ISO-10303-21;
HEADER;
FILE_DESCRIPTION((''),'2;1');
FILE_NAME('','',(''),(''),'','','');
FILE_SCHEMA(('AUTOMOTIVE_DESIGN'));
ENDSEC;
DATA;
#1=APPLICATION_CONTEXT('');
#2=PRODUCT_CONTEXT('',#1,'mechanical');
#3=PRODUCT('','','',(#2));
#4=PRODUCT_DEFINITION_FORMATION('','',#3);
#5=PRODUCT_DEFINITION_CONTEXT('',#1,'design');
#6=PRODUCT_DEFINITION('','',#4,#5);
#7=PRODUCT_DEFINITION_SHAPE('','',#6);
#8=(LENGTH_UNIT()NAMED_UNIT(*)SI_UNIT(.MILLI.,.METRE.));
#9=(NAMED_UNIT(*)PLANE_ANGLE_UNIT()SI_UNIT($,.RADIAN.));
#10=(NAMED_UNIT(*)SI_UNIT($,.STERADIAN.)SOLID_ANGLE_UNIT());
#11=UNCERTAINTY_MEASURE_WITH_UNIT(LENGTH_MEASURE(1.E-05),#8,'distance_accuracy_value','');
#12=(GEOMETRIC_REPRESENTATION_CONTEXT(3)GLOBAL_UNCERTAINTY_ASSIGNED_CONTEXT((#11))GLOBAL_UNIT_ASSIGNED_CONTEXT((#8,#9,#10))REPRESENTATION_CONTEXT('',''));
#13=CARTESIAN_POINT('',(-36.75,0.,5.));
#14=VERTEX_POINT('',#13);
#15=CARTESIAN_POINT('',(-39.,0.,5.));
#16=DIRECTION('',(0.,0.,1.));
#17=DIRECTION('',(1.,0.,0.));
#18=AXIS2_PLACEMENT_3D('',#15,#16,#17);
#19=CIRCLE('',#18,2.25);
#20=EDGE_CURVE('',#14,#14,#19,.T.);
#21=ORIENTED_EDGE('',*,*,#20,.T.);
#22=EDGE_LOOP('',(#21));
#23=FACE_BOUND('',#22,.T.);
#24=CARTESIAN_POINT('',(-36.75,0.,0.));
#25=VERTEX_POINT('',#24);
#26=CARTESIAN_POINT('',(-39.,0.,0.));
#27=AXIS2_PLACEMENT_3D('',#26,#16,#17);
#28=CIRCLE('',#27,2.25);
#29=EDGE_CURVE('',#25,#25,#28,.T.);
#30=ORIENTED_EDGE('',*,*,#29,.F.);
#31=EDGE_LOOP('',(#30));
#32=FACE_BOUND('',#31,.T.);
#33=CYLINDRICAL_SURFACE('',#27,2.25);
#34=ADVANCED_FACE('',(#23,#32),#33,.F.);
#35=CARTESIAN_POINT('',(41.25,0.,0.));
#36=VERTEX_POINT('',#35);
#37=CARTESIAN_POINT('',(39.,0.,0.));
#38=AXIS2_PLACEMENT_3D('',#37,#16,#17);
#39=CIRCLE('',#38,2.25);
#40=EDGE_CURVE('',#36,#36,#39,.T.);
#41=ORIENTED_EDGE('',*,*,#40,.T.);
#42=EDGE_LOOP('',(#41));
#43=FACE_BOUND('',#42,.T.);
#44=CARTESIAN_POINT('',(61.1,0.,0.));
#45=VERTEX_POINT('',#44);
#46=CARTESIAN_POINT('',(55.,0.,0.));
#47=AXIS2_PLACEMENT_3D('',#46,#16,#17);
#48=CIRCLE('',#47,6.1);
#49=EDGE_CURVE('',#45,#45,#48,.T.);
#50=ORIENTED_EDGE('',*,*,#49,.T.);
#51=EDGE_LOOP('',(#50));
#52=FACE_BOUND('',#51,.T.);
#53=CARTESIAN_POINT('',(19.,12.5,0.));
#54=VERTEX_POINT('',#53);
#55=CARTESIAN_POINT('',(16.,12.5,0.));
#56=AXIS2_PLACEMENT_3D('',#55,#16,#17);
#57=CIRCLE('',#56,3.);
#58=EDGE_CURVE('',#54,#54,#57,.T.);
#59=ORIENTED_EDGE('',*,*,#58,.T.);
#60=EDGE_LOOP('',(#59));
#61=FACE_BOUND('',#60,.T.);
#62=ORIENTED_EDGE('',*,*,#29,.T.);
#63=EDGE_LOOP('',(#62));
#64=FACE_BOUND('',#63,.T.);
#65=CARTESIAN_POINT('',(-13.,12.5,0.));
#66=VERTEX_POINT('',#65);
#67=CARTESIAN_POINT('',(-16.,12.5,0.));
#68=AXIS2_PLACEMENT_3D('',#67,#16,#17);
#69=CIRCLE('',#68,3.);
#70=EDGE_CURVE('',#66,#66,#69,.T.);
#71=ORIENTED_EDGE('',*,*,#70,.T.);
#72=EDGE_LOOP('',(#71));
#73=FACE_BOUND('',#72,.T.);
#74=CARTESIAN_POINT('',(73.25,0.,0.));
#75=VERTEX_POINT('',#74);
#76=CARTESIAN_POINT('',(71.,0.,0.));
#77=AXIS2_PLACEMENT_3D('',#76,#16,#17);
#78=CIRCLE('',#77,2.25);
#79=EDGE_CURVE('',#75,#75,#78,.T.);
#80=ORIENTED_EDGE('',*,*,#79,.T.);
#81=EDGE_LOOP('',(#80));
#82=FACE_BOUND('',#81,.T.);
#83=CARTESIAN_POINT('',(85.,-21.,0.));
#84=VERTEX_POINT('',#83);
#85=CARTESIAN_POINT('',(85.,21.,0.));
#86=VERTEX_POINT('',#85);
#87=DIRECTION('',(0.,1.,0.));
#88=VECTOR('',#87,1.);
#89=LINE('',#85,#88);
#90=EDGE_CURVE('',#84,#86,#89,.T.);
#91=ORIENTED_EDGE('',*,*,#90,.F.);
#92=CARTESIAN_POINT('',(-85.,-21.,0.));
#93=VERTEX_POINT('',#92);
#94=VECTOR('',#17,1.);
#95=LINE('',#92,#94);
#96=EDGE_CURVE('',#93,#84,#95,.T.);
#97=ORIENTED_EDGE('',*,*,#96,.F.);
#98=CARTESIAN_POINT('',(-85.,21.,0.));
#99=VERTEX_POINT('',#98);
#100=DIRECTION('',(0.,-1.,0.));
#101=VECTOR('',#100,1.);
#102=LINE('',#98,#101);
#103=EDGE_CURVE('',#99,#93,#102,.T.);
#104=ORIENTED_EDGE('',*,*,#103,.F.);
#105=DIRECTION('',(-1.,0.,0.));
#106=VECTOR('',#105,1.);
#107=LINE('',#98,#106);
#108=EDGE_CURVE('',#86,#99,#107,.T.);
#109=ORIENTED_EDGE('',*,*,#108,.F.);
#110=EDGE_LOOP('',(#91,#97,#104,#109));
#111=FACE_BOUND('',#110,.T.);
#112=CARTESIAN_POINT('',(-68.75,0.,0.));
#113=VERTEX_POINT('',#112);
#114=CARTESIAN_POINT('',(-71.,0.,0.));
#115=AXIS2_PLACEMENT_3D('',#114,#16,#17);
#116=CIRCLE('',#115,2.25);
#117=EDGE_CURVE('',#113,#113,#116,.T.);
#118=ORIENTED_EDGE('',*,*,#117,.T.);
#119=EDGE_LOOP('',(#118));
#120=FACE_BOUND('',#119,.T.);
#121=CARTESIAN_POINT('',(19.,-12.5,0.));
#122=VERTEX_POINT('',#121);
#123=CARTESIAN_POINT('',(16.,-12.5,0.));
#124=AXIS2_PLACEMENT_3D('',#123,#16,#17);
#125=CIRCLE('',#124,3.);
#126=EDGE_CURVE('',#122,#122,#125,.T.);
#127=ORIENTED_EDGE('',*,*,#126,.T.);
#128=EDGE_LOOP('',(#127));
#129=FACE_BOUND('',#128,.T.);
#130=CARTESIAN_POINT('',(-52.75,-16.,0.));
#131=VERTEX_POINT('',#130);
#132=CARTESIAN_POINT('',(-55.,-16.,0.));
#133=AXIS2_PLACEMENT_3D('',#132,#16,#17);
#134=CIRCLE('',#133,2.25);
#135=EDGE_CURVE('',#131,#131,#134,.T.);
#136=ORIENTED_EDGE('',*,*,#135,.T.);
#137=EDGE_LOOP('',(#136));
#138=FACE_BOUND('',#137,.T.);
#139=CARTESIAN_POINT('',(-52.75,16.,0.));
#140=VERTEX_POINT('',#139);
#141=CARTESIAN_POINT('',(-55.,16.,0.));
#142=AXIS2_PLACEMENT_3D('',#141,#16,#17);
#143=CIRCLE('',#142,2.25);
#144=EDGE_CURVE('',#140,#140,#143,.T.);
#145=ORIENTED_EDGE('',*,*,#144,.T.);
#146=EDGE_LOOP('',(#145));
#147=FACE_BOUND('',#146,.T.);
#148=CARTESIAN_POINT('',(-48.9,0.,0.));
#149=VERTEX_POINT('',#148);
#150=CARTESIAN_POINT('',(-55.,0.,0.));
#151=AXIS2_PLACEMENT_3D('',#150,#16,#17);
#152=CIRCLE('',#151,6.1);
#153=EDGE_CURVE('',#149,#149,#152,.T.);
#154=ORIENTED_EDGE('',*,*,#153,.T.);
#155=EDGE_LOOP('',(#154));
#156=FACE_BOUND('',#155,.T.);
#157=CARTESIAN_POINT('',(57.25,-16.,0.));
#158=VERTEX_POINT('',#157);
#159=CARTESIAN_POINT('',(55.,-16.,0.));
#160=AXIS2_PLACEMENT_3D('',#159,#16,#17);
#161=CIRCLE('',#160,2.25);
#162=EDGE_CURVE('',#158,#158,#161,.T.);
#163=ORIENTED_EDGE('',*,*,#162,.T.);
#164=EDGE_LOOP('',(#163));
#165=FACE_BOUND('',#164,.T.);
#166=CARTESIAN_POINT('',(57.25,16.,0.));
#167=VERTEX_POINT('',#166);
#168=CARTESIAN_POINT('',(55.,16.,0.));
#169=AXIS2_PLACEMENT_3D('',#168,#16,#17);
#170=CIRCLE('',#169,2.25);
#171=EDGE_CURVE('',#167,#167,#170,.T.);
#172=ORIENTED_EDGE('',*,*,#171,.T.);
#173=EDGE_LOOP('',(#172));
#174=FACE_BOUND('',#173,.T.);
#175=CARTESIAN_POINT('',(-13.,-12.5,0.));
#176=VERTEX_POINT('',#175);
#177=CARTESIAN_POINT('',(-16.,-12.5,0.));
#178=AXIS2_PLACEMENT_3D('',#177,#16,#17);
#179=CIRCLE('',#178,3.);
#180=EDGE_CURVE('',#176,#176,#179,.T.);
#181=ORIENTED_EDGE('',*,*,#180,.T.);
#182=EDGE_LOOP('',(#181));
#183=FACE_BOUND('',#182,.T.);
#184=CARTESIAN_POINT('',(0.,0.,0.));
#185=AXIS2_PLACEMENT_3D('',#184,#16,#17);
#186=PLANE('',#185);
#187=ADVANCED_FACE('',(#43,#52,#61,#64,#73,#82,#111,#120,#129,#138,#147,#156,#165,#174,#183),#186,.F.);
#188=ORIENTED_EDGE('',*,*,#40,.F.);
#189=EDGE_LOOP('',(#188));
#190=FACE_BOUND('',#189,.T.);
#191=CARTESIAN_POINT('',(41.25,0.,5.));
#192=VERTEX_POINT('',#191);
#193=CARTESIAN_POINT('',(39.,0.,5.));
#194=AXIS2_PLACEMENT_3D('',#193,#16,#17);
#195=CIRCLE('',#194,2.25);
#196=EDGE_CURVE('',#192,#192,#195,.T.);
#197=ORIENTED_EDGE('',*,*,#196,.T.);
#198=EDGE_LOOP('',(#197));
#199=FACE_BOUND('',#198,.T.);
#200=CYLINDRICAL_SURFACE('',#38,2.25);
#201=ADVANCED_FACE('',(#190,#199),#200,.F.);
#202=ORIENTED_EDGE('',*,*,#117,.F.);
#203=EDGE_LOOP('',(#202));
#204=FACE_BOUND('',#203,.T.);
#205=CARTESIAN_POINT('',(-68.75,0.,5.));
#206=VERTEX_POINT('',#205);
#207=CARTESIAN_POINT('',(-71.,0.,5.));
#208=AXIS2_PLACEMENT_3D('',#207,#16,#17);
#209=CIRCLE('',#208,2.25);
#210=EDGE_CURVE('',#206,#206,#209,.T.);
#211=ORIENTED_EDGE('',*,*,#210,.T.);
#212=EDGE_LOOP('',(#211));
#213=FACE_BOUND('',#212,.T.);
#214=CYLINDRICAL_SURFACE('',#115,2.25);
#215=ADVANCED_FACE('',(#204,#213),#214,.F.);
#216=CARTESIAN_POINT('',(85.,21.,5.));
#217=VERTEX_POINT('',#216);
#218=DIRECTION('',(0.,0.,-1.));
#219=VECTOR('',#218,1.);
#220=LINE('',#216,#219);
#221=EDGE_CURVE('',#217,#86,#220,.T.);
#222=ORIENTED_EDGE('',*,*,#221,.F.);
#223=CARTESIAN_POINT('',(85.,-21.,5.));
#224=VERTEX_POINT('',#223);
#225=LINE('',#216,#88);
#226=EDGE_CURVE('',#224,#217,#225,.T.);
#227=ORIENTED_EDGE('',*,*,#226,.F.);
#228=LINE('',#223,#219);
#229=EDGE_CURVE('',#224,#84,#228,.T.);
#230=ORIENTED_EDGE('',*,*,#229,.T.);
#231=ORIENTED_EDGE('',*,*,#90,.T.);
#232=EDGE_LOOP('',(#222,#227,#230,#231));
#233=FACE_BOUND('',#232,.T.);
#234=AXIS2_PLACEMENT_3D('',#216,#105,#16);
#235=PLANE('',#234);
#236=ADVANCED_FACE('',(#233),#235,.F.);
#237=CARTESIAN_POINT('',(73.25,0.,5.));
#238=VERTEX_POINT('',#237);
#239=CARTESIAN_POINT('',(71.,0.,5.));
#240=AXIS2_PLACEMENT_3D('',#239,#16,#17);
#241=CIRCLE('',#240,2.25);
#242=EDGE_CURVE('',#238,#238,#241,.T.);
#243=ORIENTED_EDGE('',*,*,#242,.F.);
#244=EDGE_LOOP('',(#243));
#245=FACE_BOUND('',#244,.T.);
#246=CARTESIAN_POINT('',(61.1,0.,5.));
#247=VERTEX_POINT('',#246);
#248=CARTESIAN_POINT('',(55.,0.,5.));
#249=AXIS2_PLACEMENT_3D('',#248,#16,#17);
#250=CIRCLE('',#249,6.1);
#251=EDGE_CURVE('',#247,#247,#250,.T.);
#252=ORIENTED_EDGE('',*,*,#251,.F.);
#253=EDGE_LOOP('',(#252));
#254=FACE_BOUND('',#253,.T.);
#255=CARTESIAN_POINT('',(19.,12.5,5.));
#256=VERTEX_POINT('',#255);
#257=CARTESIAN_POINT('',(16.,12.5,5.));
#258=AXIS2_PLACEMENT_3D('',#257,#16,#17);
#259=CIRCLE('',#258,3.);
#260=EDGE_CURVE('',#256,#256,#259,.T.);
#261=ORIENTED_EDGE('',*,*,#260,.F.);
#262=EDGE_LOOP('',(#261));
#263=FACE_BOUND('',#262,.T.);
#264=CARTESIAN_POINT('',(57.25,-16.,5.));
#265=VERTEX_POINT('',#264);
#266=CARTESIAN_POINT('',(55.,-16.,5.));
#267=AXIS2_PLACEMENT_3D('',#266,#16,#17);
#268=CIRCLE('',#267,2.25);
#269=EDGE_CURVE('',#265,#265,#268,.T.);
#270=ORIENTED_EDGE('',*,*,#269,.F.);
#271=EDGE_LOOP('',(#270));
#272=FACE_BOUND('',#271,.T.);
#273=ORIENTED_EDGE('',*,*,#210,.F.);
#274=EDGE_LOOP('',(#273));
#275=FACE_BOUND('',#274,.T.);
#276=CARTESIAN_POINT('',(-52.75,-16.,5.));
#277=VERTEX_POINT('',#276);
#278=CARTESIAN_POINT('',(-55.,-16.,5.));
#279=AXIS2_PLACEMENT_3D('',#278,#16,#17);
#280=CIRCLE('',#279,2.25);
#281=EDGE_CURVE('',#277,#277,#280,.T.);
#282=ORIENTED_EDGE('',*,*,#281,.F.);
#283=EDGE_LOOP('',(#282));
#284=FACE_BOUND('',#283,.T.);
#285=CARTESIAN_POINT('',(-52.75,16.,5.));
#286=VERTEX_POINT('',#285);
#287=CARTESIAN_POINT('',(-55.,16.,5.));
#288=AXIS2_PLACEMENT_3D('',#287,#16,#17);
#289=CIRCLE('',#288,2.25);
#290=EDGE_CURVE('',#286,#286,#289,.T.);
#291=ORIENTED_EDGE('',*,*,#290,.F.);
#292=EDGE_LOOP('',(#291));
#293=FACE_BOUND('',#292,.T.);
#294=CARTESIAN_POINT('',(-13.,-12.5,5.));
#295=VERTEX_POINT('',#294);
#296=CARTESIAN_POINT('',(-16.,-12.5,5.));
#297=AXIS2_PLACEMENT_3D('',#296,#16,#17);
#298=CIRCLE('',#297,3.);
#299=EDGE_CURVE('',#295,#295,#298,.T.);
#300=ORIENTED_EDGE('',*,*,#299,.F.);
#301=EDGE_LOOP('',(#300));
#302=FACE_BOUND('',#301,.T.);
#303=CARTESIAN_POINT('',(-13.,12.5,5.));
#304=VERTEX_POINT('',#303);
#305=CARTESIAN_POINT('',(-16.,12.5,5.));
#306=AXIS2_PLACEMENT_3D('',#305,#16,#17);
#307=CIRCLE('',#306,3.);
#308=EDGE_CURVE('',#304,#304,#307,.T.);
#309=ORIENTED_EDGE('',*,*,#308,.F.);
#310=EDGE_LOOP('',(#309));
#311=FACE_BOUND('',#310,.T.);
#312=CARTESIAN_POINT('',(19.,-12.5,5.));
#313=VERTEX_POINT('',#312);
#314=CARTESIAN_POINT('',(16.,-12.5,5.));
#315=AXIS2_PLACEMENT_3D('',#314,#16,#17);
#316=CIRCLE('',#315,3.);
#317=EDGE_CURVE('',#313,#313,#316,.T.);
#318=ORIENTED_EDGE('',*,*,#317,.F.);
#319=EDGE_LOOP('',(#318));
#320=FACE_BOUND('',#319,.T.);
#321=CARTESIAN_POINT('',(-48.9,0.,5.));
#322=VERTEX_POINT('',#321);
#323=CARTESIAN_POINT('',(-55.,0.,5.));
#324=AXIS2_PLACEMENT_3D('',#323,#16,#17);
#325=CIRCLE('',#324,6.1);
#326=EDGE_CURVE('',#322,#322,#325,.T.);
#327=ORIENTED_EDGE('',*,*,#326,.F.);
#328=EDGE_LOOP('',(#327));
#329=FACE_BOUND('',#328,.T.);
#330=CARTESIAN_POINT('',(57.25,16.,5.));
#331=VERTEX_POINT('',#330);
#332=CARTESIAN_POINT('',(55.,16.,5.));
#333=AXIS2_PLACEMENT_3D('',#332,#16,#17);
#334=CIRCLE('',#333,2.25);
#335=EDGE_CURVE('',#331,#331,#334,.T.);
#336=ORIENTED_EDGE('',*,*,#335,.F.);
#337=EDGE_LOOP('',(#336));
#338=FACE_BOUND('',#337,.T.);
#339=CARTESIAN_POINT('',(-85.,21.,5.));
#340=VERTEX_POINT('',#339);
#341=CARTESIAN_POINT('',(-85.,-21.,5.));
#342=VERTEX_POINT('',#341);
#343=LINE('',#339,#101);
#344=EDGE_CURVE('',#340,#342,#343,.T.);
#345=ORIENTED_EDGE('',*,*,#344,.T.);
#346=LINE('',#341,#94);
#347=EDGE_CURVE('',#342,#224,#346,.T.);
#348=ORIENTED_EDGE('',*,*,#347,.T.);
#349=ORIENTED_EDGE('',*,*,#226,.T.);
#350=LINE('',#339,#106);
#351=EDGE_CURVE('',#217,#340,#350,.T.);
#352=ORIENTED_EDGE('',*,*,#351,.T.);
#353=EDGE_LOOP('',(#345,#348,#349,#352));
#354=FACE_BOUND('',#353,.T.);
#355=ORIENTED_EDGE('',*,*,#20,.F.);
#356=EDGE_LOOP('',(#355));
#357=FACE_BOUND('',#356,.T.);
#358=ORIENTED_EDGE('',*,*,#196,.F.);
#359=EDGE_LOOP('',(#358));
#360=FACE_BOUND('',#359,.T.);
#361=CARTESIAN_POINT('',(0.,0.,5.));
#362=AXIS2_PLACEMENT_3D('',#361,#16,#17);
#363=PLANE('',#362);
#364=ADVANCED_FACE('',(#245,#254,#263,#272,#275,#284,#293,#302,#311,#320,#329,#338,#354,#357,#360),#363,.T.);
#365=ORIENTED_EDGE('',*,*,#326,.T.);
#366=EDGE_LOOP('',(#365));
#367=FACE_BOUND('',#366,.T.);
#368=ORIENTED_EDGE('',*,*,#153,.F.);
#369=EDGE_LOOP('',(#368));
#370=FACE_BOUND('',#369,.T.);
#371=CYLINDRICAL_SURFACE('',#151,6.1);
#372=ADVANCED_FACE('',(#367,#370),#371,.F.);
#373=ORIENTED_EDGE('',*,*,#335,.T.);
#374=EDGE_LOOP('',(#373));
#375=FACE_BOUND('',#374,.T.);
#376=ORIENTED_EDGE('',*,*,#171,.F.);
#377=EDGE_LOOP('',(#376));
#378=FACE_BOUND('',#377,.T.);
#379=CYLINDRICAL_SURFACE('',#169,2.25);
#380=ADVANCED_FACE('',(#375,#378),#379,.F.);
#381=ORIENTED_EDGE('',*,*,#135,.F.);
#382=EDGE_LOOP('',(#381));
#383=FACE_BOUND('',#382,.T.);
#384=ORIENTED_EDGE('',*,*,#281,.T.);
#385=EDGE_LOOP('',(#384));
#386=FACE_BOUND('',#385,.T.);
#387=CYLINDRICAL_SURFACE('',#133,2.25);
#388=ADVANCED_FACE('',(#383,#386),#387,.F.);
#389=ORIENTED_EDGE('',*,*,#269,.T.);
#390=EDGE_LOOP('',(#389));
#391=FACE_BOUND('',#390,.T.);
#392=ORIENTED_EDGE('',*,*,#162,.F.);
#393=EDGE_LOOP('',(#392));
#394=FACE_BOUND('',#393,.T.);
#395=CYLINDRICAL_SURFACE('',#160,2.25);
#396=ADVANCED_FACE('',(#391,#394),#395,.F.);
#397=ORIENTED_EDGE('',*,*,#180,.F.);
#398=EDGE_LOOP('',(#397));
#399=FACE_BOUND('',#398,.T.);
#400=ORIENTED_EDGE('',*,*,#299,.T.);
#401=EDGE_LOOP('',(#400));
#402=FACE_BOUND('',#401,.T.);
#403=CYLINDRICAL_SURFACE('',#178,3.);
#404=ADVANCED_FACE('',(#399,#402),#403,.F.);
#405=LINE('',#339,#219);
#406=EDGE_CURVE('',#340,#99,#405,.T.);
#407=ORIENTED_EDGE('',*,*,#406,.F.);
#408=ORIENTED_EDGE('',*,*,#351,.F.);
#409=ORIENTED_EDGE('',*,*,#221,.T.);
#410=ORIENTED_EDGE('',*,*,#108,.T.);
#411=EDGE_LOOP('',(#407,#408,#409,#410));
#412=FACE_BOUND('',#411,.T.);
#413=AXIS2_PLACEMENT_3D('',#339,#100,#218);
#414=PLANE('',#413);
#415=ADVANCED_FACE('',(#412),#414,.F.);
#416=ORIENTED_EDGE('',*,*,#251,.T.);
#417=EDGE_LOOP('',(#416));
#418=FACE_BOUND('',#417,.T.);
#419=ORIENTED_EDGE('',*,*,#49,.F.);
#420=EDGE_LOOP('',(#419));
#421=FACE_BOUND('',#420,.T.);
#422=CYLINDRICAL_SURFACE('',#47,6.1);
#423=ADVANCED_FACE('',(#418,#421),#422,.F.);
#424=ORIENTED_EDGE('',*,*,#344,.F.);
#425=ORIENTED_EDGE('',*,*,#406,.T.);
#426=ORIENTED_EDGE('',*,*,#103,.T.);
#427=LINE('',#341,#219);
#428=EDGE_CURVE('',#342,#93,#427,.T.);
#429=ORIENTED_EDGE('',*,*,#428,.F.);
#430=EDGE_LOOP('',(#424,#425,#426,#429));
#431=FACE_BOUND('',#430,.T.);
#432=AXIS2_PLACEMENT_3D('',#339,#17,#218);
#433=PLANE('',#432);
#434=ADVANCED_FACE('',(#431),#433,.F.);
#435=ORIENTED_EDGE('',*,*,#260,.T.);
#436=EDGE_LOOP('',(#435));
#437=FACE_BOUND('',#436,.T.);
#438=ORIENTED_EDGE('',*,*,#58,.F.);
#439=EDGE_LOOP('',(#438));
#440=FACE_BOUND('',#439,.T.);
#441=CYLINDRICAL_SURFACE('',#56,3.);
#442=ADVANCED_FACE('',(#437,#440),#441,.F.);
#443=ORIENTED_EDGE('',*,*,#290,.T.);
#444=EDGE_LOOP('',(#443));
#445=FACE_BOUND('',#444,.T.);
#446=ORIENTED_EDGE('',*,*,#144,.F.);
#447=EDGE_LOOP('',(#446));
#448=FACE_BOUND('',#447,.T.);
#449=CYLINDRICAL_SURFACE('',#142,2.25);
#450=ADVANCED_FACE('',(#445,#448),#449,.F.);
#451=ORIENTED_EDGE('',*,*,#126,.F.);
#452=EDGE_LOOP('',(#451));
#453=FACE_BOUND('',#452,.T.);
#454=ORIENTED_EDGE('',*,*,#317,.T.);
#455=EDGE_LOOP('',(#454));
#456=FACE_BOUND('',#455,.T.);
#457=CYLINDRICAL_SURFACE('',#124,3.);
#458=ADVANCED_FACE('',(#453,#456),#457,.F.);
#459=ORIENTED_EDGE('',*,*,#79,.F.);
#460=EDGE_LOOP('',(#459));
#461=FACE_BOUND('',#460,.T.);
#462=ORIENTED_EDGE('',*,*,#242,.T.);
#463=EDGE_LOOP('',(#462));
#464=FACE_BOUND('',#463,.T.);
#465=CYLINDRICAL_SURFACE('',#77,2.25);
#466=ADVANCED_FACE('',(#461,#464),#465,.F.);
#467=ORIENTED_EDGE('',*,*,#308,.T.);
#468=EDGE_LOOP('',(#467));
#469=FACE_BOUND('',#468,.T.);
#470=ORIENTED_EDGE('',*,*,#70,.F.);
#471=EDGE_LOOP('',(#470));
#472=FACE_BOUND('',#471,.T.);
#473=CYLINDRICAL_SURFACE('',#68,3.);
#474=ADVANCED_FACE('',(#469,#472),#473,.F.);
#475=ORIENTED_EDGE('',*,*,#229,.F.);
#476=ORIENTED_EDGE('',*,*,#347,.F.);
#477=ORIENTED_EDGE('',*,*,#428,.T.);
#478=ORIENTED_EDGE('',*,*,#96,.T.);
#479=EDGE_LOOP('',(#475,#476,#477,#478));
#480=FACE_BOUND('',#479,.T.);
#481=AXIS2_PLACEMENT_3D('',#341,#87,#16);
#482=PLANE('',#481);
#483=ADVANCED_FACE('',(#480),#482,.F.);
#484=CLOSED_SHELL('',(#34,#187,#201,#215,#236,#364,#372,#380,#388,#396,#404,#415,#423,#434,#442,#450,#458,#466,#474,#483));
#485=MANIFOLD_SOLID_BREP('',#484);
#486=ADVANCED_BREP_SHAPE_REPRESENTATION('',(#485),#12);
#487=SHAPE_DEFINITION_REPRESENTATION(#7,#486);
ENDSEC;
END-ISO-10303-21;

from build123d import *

# Parameters (mm, degrees)
SKETCH1_W               = 170
SKETCH1_H               = 42
BOSS_EXTRUDE1_DEPTH     = 5
CUT_EXTRUDE1_DEPTH      = 88.698346621
CUT_EXTRUDE1_DEPTH_BACK = 88.698346621
SKETCH2_R               = 6.1
CUT_EXTRUDE2_DEPTH      = 88.698346621
CUT_EXTRUDE2_DEPTH_BACK = 88.698346621
SKETCH3_R               = 3
SKETCH4_R               = 2.25
CUT_EXTRUDE3_DEPTH      = 88.698346621


with BuildPart() as part:
    # Sketch1 → Boss-Extrude1 (new body)
    with BuildSketch(Plane.XY):
        Rectangle(SKETCH1_W, SKETCH1_H)
    extrude(amount=BOSS_EXTRUDE1_DEPTH)

    # Sketch2 → Cut-Extrude1 (cut, two sides: drawn at the far end of the back side and taken through both)
    with BuildSketch(Plane.XY.offset(5).offset(-CUT_EXTRUDE1_DEPTH_BACK)):
        with Locations((-55, 0)):
            Circle(SKETCH2_R)
        with Locations((55, 0)):
            Circle(SKETCH2_R)
    extrude(amount=CUT_EXTRUDE1_DEPTH + CUT_EXTRUDE1_DEPTH_BACK, mode=Mode.SUBTRACT)

    # Sketch3 → Cut-Extrude2 (cut, two sides: drawn at the far end of the back side and taken through both)
    with BuildSketch(Plane.XY.offset(5).offset(-CUT_EXTRUDE2_DEPTH_BACK)):
        with Locations((-16, -12.5)):
            Circle(SKETCH3_R)
        with Locations((-16, 12.5)):
            Circle(SKETCH3_R)
        with Locations((16, 12.5)):
            Circle(SKETCH3_R)
        with Locations((16, -12.5)):
            Circle(SKETCH3_R)
    extrude(amount=CUT_EXTRUDE2_DEPTH + CUT_EXTRUDE2_DEPTH_BACK, mode=Mode.SUBTRACT)

    # Sketch4 → Cut-Extrude3 (cut, through all)
    with BuildSketch(Plane.XY.offset(5)):
        with Locations((-71, 0)):
            Circle(SKETCH4_R)
        with Locations((-55, 16)):
            Circle(SKETCH4_R)
        with Locations((-39, 0)):
            Circle(SKETCH4_R)
        with Locations((-55, -16)):
            Circle(SKETCH4_R)
        with Locations((39, 0)):
            Circle(SKETCH4_R)
        with Locations((55, 16)):
            Circle(SKETCH4_R)
        with Locations((71, 0)):
            Circle(SKETCH4_R)
        with Locations((55, -16)):
            Circle(SKETCH4_R)
    extrude(amount=-CUT_EXTRUDE3_DEPTH, mode=Mode.SUBTRACT)


solid = part.part
